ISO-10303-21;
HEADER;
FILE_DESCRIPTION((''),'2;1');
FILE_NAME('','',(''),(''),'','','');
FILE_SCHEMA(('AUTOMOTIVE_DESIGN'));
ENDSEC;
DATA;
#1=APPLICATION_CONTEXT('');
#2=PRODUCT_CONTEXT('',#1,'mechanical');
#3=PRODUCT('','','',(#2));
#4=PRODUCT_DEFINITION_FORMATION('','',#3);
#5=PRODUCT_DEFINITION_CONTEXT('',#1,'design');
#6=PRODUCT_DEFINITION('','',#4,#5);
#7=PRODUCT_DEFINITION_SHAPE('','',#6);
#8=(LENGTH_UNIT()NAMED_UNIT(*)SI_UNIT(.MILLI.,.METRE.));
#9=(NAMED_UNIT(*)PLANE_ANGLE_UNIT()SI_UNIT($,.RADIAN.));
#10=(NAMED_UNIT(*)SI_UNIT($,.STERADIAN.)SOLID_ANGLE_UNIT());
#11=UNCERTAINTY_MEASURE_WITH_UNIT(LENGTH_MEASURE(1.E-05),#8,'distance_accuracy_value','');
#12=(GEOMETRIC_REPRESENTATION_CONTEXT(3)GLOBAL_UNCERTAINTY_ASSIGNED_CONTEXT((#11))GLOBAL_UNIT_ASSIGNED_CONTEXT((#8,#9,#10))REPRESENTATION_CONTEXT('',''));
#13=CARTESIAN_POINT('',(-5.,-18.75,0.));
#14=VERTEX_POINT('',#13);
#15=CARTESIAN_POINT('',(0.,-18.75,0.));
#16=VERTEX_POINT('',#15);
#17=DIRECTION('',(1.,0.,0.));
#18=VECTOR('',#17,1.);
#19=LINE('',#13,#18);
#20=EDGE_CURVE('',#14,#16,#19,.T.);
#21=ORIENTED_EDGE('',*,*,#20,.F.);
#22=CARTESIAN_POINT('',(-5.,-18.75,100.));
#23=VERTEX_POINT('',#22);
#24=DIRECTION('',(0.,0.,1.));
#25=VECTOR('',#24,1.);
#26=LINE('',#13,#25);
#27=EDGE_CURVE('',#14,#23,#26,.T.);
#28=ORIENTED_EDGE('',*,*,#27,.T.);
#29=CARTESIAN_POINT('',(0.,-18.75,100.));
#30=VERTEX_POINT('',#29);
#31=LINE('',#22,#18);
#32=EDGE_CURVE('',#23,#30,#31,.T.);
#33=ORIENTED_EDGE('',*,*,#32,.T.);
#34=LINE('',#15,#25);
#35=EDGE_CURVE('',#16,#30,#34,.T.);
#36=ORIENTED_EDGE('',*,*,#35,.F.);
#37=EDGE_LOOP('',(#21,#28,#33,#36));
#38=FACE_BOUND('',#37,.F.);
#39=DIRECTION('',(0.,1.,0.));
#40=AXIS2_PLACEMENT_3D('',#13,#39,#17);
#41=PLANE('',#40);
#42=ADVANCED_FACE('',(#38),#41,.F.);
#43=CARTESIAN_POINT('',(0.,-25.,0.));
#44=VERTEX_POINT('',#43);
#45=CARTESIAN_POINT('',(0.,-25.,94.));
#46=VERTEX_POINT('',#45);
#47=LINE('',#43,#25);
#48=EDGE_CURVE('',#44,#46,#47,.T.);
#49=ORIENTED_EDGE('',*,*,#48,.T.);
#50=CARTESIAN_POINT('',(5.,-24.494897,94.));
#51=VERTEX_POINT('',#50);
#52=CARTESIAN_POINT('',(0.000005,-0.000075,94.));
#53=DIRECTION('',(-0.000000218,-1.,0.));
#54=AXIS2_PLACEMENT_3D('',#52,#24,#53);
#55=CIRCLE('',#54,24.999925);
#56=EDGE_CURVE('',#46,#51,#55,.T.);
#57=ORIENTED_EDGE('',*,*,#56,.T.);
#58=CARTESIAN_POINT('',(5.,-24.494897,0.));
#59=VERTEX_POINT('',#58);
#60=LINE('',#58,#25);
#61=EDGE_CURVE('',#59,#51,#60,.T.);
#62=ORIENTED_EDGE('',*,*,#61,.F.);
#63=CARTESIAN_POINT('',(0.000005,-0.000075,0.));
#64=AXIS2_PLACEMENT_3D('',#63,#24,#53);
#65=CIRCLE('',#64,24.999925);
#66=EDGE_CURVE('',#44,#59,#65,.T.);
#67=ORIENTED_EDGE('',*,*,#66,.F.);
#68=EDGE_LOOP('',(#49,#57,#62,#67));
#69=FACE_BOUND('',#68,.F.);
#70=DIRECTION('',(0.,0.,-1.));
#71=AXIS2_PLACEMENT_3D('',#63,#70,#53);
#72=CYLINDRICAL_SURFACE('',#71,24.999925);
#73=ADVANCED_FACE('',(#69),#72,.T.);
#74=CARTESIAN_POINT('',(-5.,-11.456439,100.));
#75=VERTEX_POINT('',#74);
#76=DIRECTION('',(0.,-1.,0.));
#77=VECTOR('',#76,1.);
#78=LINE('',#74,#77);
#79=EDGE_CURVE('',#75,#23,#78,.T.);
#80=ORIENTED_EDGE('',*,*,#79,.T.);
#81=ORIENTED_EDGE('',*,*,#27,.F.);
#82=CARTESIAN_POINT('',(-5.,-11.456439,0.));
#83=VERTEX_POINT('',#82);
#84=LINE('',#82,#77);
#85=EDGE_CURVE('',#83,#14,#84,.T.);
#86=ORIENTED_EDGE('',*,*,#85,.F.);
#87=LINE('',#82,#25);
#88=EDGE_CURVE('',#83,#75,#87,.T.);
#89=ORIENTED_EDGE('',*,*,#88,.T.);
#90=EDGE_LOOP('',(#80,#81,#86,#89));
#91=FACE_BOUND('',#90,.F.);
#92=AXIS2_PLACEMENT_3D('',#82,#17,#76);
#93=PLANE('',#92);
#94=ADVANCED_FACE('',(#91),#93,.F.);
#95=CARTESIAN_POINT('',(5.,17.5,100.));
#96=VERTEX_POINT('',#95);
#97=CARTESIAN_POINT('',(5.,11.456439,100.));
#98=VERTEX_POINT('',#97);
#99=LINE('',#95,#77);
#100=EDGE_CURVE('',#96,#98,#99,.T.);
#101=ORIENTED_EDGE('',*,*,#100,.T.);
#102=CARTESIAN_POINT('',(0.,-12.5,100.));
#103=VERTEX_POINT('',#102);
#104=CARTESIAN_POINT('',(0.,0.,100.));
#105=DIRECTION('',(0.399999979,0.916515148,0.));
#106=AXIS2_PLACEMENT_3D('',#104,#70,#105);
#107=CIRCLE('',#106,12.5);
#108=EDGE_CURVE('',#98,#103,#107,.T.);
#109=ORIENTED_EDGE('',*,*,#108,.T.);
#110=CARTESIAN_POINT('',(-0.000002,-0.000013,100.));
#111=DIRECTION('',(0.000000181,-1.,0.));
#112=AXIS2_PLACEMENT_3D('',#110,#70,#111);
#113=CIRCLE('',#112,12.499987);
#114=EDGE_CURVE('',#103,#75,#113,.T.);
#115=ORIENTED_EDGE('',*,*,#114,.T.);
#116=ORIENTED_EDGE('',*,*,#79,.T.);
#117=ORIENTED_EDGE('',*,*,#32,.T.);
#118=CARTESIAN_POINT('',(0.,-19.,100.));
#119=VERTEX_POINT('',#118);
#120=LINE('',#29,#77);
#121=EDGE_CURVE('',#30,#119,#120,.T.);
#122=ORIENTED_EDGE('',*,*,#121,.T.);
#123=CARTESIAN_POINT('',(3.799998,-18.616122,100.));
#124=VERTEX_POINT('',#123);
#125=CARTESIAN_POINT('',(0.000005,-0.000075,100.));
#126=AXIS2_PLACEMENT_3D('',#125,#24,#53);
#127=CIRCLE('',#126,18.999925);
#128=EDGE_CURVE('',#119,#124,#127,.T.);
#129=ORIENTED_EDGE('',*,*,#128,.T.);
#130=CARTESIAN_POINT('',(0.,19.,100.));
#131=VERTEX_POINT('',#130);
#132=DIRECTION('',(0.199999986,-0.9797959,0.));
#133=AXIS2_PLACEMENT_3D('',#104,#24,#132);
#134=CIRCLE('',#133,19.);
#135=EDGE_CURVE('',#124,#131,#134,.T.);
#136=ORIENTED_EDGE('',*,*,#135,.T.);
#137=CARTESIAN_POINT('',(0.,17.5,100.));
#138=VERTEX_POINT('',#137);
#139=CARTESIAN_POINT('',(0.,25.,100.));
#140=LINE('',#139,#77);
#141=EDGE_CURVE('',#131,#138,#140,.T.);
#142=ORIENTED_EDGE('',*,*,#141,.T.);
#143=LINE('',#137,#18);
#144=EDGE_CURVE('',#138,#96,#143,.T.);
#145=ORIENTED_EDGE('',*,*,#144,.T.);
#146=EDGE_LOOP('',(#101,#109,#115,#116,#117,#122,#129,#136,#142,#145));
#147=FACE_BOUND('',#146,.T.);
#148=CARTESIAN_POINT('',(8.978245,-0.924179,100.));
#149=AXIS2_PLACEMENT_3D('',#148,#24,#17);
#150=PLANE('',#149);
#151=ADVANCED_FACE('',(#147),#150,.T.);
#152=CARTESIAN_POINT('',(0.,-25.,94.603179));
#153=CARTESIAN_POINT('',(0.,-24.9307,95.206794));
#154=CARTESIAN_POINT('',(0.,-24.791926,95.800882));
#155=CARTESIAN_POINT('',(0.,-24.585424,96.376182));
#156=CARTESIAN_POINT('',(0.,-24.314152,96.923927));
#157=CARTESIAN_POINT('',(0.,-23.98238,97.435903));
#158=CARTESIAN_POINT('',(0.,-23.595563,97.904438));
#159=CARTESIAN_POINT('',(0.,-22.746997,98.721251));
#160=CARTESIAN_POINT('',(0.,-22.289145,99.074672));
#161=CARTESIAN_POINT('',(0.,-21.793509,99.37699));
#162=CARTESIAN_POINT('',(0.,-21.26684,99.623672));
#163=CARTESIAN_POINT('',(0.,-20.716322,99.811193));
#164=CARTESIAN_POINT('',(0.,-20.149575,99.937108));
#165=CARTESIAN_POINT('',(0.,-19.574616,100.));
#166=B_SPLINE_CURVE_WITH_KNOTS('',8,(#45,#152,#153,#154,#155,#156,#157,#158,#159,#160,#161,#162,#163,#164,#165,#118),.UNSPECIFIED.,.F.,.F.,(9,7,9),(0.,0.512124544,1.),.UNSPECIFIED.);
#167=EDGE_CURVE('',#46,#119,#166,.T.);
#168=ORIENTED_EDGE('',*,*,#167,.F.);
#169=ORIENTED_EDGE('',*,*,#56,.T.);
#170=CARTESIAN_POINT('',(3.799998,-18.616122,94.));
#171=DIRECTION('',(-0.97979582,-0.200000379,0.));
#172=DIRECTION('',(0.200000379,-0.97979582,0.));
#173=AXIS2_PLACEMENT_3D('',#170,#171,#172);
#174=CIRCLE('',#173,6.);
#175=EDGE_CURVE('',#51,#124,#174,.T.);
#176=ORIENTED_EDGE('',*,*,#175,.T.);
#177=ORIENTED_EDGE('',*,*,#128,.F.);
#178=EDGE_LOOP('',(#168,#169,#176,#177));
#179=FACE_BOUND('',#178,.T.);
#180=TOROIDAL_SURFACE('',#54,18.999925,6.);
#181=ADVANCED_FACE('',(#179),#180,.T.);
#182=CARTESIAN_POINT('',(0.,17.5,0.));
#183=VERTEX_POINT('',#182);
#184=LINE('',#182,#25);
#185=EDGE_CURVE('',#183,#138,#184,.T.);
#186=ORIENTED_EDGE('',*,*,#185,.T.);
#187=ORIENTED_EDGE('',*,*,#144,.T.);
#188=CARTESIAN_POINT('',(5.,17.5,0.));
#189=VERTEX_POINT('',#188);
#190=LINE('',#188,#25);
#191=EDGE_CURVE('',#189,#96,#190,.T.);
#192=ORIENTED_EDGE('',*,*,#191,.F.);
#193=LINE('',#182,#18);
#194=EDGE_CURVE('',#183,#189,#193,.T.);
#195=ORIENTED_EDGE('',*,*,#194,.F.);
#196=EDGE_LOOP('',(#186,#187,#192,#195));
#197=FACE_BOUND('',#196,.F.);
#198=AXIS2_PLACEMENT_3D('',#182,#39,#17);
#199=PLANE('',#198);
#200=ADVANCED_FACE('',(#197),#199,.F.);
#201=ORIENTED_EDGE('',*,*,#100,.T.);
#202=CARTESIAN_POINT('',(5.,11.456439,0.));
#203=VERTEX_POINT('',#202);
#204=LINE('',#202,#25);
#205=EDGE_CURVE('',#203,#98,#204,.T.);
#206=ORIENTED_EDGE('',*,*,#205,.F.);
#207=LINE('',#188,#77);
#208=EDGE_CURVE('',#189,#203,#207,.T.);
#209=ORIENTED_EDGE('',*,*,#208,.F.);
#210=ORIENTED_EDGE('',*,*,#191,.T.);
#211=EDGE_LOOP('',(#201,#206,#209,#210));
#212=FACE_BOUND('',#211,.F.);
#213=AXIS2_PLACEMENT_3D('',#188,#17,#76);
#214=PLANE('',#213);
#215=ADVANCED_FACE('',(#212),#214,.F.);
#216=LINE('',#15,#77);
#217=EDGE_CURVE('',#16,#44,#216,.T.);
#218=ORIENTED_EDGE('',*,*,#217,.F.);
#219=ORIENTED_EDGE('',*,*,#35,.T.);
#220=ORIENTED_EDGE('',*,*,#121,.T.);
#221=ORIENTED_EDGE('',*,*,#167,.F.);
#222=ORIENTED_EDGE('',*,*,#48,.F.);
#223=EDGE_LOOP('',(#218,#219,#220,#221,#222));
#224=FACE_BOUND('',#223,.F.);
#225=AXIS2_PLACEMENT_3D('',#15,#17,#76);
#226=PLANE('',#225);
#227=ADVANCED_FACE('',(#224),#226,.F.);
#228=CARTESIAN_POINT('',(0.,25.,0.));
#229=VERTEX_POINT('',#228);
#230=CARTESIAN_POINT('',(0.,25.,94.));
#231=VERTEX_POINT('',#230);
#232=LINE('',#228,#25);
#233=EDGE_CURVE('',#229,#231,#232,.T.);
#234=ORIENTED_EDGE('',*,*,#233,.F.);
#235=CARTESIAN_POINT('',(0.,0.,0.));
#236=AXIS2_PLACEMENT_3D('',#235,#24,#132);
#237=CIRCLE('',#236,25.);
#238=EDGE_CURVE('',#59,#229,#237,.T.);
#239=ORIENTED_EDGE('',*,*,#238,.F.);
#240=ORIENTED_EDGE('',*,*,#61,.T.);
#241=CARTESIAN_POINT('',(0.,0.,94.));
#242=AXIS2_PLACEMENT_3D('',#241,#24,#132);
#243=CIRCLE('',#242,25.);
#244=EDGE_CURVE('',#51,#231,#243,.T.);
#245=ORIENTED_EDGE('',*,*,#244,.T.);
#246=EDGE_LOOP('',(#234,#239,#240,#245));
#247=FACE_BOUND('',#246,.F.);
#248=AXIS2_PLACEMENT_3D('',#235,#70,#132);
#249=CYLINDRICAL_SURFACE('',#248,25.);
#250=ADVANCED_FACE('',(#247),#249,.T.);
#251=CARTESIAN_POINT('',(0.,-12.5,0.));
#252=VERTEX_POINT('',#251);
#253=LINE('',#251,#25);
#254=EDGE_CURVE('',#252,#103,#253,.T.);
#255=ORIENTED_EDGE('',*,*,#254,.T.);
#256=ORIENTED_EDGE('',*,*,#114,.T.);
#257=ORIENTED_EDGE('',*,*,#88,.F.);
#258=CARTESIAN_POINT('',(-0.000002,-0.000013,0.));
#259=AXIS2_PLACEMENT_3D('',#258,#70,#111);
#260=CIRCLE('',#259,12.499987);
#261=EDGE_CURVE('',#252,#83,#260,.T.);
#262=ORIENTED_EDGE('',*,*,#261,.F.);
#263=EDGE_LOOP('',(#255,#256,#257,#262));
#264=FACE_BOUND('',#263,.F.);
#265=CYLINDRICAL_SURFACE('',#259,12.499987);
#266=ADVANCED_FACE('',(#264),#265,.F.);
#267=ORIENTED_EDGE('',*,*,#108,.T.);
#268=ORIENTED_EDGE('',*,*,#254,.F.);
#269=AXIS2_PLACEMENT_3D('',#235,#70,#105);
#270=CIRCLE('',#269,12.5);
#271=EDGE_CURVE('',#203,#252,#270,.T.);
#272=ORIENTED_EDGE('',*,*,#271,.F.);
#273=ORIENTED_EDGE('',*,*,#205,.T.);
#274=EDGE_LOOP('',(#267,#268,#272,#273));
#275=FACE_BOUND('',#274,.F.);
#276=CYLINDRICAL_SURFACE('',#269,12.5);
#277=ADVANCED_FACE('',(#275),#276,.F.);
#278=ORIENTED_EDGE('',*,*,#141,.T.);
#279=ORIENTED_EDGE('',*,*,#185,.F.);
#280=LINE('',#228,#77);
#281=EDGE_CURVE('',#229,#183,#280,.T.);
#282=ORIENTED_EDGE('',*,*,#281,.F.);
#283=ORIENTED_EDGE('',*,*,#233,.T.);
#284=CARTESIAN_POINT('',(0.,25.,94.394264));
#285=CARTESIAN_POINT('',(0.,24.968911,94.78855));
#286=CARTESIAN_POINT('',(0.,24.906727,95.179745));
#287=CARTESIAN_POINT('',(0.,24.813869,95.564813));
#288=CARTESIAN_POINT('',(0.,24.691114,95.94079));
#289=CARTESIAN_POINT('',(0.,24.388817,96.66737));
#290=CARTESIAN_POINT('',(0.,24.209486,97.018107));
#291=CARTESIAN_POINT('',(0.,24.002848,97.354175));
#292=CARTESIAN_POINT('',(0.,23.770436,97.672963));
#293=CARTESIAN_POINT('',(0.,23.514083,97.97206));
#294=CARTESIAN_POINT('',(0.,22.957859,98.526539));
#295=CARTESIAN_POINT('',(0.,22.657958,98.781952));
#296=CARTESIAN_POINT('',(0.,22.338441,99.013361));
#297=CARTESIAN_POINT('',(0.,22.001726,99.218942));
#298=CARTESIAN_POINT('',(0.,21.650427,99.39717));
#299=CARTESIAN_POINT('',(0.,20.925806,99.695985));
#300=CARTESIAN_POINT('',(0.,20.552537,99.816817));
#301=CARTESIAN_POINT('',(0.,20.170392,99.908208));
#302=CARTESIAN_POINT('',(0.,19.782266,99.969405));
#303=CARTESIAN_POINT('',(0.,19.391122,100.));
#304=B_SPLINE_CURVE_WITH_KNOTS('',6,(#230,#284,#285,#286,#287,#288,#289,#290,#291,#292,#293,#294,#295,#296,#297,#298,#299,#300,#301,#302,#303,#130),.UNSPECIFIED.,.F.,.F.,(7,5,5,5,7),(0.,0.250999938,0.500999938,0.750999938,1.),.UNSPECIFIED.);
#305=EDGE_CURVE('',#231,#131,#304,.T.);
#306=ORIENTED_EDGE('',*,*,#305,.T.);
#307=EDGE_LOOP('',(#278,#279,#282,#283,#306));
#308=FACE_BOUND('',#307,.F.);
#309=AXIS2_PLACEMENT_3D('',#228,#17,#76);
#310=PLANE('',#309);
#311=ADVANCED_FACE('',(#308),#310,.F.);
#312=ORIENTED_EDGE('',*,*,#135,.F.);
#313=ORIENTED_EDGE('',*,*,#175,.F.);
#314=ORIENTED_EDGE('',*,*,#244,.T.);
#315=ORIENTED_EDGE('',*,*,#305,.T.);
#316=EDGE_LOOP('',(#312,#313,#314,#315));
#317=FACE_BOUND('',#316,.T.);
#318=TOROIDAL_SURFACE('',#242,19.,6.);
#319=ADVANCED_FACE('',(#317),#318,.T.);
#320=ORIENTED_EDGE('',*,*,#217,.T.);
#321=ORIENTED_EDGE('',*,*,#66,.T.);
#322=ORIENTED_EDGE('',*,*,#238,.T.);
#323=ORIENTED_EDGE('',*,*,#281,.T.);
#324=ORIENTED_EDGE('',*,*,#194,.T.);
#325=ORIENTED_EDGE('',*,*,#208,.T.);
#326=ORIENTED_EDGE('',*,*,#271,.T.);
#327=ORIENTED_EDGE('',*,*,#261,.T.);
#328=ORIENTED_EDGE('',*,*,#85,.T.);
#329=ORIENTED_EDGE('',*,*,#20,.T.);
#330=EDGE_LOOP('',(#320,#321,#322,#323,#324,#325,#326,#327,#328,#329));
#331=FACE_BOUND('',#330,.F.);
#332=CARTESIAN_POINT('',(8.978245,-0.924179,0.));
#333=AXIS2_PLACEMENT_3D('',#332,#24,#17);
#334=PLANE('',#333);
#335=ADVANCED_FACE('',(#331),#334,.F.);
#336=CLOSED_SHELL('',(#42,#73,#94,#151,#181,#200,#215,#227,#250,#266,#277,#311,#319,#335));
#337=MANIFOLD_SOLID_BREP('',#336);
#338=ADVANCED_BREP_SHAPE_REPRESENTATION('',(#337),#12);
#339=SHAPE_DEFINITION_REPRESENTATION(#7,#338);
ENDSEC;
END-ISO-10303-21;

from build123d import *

# Parameters (mm, degrees)
F1_DEPTH = 100
F2_R     = 6


with BuildPart() as f1:
    # F0 (on Top) → F1 (new body)
    with BuildSketch(Plane.XY):
        with BuildLine():
            ThreePointArc((5, 11.456439), (12.236329, -2.553871), (0, -12.5))
            ThreePointArc((0, -12.5), (-2.553871, -12.236329), (-5, -11.456439))
            Line((-5, -11.456439), (-5, -18.75))
            Line((-5, -18.75), (0, -18.75))
            Line((0, -18.75), (0, -25))
            ThreePointArc((0, -25), (2.512724, -24.873404), (5, -24.494897))
            ThreePointArc((5, -24.494897), (24.873404, 2.512724), (0, 25))
            Line((0, 25), (0, 17.5))
            Line((0, 17.5), (5, 17.5))
            Line((5, 17.5), (5, 11.456439))
        make_face()
    extrude(amount=F1_DEPTH)

    # F2
    f2_edges = [f1.edges().sort_by_distance(p)[0] for p in [
        (25, 0, 100),
    ]]
    fillet(f2_edges, radius=F2_R)


solid = f1.part
